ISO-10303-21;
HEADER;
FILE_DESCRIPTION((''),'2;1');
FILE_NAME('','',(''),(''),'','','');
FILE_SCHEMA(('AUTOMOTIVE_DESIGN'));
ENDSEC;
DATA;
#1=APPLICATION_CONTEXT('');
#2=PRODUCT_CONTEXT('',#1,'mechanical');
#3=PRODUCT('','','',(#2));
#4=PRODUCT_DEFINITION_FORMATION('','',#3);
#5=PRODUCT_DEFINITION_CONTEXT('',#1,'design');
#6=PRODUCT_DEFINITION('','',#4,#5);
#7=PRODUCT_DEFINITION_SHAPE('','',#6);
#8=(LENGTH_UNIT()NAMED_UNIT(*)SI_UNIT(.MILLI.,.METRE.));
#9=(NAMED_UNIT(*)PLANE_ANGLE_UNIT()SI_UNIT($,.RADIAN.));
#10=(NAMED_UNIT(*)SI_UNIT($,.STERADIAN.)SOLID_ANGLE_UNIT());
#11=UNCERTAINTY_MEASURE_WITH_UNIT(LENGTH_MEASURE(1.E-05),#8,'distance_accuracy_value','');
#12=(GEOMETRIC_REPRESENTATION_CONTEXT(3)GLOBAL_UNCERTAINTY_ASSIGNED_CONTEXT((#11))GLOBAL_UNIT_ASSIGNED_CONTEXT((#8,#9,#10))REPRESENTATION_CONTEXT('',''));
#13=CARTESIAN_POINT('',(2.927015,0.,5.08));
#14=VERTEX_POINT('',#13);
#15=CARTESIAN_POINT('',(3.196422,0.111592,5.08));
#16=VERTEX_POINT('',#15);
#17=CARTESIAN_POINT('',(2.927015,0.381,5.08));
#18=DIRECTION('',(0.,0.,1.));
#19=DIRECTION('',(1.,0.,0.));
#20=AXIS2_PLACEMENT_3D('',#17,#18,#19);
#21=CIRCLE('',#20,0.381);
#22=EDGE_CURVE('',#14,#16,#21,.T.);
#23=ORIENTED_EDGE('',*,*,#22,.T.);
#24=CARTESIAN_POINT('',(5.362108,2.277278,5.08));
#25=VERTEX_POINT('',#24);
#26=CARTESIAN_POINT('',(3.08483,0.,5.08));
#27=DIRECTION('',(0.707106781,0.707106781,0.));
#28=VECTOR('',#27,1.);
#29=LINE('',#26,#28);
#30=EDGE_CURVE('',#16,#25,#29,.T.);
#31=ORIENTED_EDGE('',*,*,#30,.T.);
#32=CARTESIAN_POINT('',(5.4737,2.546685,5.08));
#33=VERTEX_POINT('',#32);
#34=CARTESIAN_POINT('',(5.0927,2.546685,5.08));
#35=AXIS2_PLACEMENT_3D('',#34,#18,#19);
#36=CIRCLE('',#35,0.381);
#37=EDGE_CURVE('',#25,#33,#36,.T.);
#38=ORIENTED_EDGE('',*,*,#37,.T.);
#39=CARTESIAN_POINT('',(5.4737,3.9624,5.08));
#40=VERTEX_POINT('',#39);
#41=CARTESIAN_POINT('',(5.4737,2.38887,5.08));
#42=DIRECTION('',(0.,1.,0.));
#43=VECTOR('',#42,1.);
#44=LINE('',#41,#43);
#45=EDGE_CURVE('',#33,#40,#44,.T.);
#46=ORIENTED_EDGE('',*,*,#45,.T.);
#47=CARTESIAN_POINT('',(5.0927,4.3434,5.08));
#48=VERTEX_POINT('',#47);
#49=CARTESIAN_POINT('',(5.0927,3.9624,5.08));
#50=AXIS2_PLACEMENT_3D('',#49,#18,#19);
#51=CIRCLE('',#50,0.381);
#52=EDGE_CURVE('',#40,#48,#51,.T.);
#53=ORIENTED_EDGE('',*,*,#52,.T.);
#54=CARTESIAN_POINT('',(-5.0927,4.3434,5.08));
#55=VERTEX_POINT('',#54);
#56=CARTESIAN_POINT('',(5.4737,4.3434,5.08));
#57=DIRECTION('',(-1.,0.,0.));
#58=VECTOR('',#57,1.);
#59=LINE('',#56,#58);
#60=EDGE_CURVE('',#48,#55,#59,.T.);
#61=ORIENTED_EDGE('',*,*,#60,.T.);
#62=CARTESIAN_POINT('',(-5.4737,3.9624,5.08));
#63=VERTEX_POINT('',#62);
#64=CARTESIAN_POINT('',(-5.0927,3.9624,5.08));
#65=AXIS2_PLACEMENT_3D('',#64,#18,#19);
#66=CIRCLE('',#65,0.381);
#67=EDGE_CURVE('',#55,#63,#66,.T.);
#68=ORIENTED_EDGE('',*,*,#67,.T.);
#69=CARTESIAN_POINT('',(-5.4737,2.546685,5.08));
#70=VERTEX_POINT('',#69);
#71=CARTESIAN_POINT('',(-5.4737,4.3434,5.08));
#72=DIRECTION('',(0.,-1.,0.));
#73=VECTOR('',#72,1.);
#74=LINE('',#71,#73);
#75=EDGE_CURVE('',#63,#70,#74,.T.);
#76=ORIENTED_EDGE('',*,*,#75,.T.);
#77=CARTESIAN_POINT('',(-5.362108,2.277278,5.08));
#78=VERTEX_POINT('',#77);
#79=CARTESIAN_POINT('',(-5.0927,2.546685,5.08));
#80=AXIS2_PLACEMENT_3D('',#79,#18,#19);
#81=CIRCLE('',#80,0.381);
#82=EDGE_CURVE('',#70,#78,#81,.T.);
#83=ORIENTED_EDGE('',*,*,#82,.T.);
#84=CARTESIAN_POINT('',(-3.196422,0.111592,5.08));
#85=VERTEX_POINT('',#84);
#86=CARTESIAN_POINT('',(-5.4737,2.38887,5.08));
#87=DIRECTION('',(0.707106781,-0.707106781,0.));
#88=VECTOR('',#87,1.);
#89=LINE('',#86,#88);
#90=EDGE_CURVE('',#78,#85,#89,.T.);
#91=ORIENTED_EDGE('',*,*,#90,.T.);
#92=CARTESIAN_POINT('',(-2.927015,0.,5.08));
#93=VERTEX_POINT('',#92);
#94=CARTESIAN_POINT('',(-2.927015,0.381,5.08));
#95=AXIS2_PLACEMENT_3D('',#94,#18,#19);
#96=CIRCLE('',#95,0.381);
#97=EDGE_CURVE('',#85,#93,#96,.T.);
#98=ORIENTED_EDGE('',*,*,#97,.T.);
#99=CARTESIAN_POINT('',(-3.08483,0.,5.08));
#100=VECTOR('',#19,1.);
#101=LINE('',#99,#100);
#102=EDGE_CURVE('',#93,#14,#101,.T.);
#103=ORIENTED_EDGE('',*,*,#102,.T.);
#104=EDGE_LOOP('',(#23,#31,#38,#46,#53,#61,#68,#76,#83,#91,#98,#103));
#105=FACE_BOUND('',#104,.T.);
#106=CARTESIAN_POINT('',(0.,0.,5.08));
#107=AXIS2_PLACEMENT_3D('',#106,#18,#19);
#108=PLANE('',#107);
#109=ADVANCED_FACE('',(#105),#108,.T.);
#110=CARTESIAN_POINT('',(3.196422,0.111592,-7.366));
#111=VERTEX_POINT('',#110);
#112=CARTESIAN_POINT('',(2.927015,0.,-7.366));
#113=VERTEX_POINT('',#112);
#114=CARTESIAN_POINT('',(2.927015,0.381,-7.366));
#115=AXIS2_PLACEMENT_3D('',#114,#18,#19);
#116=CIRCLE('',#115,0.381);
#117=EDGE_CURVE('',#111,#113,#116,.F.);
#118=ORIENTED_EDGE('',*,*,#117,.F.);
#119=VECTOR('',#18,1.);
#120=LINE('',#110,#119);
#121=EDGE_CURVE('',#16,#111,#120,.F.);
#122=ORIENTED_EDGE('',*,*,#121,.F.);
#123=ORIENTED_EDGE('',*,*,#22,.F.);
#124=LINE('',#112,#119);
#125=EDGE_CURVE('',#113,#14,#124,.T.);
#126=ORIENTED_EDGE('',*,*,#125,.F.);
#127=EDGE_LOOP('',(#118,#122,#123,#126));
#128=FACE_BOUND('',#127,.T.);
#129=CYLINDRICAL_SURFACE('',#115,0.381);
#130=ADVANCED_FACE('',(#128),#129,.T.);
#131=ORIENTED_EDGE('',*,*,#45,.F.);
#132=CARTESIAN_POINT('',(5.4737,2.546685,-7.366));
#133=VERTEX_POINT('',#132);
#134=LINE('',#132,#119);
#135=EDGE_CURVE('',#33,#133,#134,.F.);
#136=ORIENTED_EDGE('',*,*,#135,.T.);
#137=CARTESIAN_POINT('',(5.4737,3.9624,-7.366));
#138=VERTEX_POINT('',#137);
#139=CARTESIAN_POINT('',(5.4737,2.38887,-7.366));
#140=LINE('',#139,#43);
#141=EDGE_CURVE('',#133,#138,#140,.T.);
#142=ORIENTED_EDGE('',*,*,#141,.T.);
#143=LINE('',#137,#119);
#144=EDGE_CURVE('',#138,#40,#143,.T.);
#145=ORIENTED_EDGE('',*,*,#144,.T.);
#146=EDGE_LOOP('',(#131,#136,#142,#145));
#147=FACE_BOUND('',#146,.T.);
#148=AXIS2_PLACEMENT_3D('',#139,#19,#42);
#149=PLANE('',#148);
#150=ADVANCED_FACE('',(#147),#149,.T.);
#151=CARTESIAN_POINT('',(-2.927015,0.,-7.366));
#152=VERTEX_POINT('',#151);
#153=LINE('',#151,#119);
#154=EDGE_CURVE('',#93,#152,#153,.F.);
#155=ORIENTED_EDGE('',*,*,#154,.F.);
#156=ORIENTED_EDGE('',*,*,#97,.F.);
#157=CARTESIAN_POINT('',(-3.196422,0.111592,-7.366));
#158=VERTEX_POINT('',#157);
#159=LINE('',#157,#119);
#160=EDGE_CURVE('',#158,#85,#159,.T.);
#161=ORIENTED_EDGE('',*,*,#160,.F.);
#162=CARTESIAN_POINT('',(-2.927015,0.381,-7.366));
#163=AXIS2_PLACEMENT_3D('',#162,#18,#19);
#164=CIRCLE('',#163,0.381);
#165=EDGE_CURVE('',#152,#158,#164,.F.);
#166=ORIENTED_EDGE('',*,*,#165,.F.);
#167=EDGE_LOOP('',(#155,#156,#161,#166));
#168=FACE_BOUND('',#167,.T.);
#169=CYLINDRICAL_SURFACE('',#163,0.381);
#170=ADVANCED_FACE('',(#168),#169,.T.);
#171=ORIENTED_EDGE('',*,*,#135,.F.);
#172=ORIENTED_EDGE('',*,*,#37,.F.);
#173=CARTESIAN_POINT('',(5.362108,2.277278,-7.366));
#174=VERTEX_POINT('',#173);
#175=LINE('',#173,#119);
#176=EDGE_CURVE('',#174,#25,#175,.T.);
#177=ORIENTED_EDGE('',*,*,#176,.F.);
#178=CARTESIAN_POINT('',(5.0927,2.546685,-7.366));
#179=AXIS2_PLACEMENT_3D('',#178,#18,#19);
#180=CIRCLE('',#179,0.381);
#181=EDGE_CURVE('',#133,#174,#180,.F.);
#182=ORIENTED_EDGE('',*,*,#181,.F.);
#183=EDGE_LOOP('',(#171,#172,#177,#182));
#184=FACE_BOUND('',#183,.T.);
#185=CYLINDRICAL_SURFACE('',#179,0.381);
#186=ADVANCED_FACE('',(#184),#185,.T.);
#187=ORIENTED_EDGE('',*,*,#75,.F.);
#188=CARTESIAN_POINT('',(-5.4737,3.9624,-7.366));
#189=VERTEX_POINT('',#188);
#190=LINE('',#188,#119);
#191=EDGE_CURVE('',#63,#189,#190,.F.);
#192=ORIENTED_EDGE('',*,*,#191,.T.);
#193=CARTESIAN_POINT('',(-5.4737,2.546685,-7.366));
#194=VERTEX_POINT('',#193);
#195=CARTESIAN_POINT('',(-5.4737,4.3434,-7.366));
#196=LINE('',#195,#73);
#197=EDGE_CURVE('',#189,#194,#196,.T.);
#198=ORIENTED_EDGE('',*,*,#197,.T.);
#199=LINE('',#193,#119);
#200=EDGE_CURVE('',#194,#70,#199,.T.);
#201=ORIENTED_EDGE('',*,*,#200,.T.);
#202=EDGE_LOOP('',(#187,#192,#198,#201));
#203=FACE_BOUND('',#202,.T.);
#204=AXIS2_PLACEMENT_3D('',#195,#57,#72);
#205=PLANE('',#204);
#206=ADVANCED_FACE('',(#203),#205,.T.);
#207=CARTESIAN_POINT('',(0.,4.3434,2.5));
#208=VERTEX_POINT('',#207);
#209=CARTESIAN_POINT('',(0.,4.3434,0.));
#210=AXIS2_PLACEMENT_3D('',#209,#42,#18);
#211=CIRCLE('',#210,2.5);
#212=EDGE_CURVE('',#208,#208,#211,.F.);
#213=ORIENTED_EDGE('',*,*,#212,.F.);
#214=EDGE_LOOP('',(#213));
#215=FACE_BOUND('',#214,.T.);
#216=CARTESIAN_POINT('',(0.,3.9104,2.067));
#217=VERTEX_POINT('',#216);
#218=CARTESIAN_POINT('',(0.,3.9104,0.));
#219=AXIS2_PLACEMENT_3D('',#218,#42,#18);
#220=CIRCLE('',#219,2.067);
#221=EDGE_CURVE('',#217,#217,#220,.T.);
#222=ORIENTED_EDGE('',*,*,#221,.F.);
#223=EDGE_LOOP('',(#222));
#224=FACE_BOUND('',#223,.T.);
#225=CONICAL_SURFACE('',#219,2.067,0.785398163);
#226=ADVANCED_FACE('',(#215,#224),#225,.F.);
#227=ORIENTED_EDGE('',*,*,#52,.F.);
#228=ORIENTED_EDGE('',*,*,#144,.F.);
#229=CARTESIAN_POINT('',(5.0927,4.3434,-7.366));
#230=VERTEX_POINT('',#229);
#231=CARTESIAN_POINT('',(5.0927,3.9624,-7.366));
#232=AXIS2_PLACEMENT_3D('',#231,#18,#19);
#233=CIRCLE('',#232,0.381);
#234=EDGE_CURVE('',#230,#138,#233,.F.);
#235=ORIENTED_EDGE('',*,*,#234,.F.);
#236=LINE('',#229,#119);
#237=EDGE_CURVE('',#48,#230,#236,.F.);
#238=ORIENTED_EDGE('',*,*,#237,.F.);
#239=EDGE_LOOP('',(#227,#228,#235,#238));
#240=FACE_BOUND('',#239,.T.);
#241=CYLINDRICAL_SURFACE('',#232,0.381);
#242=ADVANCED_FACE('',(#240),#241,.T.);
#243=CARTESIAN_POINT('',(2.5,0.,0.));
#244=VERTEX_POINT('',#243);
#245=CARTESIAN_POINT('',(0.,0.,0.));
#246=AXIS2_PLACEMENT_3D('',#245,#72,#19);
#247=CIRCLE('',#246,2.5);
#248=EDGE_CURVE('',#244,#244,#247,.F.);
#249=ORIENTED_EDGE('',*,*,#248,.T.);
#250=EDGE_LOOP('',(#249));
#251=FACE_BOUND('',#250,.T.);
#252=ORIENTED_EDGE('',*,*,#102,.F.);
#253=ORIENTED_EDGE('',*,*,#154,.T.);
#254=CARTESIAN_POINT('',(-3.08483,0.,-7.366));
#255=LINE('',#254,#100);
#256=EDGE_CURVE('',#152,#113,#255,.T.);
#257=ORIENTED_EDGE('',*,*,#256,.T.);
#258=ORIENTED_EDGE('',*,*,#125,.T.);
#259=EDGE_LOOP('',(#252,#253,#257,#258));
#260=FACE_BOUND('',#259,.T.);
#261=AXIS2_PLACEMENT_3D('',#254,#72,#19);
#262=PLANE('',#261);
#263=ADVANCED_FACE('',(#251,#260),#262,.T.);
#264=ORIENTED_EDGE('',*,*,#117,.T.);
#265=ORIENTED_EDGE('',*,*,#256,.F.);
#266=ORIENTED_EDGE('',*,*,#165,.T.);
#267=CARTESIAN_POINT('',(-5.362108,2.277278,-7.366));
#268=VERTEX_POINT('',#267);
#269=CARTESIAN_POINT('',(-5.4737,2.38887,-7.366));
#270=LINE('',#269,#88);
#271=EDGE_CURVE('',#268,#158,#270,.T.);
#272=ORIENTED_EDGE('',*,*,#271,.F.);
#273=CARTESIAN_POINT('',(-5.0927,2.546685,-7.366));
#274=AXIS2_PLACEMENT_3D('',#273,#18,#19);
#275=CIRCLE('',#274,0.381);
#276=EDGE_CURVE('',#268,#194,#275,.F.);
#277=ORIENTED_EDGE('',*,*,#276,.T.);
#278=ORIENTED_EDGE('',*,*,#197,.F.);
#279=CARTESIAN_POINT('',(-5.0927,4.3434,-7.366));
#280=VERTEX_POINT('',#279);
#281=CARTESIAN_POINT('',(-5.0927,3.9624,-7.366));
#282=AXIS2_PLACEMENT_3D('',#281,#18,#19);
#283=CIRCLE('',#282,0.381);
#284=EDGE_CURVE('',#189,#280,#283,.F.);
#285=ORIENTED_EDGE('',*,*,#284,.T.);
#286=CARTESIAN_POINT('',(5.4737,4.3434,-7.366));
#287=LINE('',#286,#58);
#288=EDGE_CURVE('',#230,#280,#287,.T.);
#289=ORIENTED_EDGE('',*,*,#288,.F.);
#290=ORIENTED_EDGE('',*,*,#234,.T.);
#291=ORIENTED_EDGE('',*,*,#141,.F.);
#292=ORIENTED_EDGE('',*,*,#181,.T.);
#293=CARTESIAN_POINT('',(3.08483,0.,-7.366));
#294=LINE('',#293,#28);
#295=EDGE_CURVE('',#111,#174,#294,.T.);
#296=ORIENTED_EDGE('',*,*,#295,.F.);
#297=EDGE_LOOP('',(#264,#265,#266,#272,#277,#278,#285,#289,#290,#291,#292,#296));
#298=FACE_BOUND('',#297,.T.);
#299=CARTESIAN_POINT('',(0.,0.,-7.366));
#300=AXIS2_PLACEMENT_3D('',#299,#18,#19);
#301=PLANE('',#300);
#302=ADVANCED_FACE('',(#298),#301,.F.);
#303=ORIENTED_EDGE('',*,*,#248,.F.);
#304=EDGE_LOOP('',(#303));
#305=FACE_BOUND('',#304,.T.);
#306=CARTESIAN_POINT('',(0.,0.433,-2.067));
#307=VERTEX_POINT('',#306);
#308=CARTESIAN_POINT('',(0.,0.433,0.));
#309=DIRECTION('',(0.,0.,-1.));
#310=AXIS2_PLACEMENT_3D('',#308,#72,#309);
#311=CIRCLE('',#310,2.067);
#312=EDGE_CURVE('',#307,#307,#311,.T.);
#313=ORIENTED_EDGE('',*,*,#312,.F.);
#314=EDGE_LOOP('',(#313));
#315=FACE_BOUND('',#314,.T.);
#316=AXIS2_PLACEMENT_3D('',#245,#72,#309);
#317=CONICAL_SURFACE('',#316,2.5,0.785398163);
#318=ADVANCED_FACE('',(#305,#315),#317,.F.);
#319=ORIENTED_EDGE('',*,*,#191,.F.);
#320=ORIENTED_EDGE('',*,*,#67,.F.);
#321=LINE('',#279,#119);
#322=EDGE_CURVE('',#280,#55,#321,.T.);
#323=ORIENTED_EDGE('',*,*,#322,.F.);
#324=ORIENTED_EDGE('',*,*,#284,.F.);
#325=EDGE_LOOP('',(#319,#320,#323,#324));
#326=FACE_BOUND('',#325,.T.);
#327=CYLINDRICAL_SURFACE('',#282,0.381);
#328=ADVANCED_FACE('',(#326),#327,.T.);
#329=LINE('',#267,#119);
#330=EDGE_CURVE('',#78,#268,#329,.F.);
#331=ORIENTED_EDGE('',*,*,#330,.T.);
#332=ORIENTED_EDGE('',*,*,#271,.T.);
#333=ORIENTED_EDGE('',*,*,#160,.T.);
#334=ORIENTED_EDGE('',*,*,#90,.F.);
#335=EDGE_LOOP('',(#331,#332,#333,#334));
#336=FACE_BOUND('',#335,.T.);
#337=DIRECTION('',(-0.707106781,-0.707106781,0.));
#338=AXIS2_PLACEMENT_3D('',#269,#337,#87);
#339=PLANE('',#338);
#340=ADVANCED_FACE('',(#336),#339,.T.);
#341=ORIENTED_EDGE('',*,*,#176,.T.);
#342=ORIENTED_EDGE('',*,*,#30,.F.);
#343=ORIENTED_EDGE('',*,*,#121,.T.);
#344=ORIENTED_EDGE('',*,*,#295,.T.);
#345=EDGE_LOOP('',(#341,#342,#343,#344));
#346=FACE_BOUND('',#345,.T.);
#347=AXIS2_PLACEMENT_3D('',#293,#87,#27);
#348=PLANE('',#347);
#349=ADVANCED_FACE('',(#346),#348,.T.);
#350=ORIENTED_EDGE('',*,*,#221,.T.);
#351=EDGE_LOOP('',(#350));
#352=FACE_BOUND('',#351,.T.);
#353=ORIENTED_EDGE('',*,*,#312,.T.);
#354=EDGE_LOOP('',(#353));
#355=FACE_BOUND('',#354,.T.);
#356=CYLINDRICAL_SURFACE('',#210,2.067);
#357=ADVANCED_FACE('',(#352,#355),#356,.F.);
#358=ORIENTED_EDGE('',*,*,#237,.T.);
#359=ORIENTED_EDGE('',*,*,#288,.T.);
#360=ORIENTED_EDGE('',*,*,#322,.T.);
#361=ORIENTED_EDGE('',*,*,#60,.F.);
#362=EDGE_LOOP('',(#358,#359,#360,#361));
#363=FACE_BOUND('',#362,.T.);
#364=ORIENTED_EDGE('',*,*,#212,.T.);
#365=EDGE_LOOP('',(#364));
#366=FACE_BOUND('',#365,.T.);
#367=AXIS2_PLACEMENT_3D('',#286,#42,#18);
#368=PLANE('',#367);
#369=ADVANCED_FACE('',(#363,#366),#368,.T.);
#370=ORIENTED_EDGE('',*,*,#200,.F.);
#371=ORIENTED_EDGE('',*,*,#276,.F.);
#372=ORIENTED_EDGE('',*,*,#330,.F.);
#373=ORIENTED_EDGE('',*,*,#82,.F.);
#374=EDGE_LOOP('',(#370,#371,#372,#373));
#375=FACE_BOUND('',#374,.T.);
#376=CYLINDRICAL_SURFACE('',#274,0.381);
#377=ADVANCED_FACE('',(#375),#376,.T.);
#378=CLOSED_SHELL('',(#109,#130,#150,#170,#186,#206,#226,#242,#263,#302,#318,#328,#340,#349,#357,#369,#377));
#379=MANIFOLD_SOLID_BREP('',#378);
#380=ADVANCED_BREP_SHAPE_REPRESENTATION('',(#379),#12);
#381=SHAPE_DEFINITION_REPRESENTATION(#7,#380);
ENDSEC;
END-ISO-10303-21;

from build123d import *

# Parameters (mm, degrees)
BOSS_EXTRUDE1_DEPTH   = 12.446
F_6_CLEARANCE_HOLE1_D = 4.134
CHAMFER1_SIZE         = 0.433
FILLET1_R             = 0.381


with BuildPart() as part:
    # Sketch1 → Boss-Extrude1 (new body)
    with BuildSketch(Plane.XY.offset(5.08)):
        Polygon((5.4737, 4.3434), (-5.4737, 4.3434), (-5.4737, 2.38887), (-3.08483, 0), (3.08483, 0), (5.4737, 2.38887), align=None)
    extrude(amount=-BOSS_EXTRUDE1_DEPTH)

    # #6 Clearance Hole1 (through all)
    with Locations(Plane(origin=(0, 4.3434, 0), x_dir=(1, 0, 0), z_dir=(0, 1, 0))):
        with Locations((0, 0)):
            Hole(F_6_CLEARANCE_HOLE1_D / 2)

    # Chamfer1
    chamfer1_edges = [part.edges().sort_by_distance(p)[0] for p in [
        (2.067, 4.3434, 0),
        (2.067, 0, 0),
    ]]
    chamfer(chamfer1_edges, length=CHAMFER1_SIZE)

    # Fillet1
    fillet1_edges = [part.edges().sort_by_distance(p)[0] for p in [
        (5.4737, 2.38887, -1.143),
        (3.08483, 0, -1.143),
        (-3.08483, 0, -1.143),
        (-5.4737, 2.38887, -1.143),
        (-5.4737, 4.3434, -1.143),
        (5.4737, 4.3434, -1.143),
    ]]
    fillet(fillet1_edges, radius=FILLET1_R)


solid = part.part
